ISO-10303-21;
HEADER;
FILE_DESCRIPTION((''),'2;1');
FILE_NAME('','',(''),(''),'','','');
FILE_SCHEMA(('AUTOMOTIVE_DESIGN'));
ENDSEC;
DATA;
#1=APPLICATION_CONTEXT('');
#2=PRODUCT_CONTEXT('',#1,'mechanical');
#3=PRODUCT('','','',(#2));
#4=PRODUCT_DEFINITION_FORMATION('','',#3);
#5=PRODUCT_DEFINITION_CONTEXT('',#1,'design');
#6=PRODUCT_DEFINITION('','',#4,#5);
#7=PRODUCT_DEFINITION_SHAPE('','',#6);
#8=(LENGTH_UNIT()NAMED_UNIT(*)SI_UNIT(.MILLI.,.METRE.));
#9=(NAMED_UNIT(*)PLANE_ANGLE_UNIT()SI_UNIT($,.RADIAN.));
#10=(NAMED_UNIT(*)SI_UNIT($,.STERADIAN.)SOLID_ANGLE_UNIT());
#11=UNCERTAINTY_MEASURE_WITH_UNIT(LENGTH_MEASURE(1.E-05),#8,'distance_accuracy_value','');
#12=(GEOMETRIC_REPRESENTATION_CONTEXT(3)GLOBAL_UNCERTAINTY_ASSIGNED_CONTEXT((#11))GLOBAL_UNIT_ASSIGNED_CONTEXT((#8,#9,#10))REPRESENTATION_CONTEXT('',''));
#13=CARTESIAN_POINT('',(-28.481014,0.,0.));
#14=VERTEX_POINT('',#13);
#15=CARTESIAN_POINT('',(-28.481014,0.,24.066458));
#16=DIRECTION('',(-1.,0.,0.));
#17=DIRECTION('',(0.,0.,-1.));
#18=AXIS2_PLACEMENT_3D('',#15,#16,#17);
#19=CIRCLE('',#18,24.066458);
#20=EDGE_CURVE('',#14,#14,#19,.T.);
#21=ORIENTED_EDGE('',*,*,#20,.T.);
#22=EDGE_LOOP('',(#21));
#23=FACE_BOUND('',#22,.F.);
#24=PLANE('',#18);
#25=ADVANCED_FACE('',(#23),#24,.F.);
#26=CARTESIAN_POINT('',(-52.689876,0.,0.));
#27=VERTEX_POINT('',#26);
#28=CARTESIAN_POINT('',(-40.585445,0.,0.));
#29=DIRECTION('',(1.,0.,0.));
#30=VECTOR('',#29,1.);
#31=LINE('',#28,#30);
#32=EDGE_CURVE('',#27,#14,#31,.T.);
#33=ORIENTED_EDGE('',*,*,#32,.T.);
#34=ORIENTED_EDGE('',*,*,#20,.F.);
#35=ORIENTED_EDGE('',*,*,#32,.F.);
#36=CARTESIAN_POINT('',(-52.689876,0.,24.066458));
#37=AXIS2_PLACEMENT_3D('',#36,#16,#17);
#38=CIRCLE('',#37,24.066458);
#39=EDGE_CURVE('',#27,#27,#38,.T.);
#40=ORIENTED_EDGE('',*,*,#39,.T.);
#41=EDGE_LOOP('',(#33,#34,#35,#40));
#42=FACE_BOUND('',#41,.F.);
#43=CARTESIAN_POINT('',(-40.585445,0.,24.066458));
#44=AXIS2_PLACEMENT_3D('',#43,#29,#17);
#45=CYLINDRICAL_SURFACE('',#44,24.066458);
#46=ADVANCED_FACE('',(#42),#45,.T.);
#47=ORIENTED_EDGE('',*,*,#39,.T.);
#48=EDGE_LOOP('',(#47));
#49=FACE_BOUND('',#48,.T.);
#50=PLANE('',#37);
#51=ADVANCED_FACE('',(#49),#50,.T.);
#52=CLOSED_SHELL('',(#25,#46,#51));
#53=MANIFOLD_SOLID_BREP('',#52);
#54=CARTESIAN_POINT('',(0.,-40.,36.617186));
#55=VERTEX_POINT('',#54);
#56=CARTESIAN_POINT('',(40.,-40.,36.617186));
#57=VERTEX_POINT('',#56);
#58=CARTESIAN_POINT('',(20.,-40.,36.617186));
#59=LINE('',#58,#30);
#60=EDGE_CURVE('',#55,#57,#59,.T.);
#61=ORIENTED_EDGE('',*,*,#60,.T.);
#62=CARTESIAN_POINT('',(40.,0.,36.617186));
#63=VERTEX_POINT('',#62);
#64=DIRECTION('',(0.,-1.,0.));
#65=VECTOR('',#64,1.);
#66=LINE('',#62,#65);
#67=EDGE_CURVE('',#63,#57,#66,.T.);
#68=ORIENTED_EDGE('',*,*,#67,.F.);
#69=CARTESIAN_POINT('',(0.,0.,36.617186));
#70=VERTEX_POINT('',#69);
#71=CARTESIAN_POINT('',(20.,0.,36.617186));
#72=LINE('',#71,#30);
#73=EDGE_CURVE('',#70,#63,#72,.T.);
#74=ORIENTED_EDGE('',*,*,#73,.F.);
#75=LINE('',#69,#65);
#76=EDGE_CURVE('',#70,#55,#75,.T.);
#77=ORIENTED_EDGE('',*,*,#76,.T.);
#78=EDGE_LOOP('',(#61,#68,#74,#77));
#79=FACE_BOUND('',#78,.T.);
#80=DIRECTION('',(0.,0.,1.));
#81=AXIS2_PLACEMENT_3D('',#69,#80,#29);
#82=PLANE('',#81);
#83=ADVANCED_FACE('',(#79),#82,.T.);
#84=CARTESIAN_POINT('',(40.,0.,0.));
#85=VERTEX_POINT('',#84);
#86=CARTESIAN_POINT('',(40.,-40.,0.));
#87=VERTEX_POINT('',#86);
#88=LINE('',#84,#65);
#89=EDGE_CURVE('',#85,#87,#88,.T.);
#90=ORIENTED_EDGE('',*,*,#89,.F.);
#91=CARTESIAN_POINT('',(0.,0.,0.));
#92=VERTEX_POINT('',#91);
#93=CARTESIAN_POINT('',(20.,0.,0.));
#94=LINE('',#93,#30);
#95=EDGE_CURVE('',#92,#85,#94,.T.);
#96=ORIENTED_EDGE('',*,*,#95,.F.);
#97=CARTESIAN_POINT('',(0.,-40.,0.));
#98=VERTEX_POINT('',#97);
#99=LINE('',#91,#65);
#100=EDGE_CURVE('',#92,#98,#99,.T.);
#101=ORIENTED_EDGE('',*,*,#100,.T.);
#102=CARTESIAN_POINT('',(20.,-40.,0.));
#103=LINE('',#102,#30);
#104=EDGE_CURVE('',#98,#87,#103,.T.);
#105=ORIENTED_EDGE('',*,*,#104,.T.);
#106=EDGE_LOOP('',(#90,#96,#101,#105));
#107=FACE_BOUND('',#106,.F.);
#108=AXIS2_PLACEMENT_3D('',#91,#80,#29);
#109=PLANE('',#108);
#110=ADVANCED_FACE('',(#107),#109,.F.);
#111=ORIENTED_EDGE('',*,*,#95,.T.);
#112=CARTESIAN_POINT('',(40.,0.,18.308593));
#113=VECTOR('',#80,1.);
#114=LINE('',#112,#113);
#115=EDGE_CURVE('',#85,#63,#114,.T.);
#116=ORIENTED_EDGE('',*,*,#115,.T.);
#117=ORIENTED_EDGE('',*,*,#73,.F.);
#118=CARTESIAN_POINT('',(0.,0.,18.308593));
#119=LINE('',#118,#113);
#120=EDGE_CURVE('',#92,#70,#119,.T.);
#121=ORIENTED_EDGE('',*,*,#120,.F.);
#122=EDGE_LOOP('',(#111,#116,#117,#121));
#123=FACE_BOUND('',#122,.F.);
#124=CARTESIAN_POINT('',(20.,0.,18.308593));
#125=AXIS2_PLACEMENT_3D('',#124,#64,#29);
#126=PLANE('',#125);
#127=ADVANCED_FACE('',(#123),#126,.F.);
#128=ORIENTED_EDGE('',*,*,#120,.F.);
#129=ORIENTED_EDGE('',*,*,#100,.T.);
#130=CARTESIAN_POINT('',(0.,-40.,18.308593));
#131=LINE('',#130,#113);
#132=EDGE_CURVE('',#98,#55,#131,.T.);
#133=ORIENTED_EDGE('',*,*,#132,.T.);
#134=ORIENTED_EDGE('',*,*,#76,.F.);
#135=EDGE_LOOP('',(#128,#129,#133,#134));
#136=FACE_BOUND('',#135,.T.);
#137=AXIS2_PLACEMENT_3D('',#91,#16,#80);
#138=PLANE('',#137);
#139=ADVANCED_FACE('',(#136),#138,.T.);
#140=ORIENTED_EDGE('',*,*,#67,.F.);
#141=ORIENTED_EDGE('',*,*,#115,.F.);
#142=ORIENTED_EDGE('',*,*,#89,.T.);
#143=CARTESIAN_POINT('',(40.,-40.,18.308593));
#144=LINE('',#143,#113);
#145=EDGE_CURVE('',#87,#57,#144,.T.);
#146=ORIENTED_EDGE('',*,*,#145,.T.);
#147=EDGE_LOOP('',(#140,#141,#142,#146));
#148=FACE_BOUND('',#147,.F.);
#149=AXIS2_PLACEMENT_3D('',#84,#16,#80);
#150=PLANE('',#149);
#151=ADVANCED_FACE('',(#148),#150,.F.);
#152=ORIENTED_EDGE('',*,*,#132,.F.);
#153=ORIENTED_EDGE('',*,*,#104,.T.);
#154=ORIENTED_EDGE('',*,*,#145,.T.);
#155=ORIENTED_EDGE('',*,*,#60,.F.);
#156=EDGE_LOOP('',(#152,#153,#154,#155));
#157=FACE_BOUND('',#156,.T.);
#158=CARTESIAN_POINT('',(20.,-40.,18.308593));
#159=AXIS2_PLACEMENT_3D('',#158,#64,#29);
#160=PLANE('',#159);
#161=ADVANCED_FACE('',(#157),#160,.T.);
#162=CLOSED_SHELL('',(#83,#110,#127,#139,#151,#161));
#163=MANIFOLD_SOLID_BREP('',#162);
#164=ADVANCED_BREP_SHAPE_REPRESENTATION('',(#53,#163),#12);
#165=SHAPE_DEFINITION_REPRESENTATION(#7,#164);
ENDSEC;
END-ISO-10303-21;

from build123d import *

# Parameters (mm, degrees)
F0_W     = 40
F0_H     = 36.617186
F1_DEPTH = 40
F2_W     = 24.208862
F2_H     = 24.066458


with BuildPart() as f1:
    # F0 (on Front) → F1 (new body)
    with BuildSketch(Plane.XZ):
        with Locations((20, 18.308593)):
            Rectangle(F0_W, F0_H)
    extrude(amount=F1_DEPTH)


with BuildPart() as f3:
    # F2 (on Front) → F3 (revolve)
    with BuildSketch(Plane.XZ):
        with Locations((-40.585445, 12.033229)):
            Rectangle(F2_W, F2_H)
    revolve(axis=Axis((-61.376585, 0, 24.066458), (-1, 0, 0)))


solid = Compound([f1.part, f3.part])
